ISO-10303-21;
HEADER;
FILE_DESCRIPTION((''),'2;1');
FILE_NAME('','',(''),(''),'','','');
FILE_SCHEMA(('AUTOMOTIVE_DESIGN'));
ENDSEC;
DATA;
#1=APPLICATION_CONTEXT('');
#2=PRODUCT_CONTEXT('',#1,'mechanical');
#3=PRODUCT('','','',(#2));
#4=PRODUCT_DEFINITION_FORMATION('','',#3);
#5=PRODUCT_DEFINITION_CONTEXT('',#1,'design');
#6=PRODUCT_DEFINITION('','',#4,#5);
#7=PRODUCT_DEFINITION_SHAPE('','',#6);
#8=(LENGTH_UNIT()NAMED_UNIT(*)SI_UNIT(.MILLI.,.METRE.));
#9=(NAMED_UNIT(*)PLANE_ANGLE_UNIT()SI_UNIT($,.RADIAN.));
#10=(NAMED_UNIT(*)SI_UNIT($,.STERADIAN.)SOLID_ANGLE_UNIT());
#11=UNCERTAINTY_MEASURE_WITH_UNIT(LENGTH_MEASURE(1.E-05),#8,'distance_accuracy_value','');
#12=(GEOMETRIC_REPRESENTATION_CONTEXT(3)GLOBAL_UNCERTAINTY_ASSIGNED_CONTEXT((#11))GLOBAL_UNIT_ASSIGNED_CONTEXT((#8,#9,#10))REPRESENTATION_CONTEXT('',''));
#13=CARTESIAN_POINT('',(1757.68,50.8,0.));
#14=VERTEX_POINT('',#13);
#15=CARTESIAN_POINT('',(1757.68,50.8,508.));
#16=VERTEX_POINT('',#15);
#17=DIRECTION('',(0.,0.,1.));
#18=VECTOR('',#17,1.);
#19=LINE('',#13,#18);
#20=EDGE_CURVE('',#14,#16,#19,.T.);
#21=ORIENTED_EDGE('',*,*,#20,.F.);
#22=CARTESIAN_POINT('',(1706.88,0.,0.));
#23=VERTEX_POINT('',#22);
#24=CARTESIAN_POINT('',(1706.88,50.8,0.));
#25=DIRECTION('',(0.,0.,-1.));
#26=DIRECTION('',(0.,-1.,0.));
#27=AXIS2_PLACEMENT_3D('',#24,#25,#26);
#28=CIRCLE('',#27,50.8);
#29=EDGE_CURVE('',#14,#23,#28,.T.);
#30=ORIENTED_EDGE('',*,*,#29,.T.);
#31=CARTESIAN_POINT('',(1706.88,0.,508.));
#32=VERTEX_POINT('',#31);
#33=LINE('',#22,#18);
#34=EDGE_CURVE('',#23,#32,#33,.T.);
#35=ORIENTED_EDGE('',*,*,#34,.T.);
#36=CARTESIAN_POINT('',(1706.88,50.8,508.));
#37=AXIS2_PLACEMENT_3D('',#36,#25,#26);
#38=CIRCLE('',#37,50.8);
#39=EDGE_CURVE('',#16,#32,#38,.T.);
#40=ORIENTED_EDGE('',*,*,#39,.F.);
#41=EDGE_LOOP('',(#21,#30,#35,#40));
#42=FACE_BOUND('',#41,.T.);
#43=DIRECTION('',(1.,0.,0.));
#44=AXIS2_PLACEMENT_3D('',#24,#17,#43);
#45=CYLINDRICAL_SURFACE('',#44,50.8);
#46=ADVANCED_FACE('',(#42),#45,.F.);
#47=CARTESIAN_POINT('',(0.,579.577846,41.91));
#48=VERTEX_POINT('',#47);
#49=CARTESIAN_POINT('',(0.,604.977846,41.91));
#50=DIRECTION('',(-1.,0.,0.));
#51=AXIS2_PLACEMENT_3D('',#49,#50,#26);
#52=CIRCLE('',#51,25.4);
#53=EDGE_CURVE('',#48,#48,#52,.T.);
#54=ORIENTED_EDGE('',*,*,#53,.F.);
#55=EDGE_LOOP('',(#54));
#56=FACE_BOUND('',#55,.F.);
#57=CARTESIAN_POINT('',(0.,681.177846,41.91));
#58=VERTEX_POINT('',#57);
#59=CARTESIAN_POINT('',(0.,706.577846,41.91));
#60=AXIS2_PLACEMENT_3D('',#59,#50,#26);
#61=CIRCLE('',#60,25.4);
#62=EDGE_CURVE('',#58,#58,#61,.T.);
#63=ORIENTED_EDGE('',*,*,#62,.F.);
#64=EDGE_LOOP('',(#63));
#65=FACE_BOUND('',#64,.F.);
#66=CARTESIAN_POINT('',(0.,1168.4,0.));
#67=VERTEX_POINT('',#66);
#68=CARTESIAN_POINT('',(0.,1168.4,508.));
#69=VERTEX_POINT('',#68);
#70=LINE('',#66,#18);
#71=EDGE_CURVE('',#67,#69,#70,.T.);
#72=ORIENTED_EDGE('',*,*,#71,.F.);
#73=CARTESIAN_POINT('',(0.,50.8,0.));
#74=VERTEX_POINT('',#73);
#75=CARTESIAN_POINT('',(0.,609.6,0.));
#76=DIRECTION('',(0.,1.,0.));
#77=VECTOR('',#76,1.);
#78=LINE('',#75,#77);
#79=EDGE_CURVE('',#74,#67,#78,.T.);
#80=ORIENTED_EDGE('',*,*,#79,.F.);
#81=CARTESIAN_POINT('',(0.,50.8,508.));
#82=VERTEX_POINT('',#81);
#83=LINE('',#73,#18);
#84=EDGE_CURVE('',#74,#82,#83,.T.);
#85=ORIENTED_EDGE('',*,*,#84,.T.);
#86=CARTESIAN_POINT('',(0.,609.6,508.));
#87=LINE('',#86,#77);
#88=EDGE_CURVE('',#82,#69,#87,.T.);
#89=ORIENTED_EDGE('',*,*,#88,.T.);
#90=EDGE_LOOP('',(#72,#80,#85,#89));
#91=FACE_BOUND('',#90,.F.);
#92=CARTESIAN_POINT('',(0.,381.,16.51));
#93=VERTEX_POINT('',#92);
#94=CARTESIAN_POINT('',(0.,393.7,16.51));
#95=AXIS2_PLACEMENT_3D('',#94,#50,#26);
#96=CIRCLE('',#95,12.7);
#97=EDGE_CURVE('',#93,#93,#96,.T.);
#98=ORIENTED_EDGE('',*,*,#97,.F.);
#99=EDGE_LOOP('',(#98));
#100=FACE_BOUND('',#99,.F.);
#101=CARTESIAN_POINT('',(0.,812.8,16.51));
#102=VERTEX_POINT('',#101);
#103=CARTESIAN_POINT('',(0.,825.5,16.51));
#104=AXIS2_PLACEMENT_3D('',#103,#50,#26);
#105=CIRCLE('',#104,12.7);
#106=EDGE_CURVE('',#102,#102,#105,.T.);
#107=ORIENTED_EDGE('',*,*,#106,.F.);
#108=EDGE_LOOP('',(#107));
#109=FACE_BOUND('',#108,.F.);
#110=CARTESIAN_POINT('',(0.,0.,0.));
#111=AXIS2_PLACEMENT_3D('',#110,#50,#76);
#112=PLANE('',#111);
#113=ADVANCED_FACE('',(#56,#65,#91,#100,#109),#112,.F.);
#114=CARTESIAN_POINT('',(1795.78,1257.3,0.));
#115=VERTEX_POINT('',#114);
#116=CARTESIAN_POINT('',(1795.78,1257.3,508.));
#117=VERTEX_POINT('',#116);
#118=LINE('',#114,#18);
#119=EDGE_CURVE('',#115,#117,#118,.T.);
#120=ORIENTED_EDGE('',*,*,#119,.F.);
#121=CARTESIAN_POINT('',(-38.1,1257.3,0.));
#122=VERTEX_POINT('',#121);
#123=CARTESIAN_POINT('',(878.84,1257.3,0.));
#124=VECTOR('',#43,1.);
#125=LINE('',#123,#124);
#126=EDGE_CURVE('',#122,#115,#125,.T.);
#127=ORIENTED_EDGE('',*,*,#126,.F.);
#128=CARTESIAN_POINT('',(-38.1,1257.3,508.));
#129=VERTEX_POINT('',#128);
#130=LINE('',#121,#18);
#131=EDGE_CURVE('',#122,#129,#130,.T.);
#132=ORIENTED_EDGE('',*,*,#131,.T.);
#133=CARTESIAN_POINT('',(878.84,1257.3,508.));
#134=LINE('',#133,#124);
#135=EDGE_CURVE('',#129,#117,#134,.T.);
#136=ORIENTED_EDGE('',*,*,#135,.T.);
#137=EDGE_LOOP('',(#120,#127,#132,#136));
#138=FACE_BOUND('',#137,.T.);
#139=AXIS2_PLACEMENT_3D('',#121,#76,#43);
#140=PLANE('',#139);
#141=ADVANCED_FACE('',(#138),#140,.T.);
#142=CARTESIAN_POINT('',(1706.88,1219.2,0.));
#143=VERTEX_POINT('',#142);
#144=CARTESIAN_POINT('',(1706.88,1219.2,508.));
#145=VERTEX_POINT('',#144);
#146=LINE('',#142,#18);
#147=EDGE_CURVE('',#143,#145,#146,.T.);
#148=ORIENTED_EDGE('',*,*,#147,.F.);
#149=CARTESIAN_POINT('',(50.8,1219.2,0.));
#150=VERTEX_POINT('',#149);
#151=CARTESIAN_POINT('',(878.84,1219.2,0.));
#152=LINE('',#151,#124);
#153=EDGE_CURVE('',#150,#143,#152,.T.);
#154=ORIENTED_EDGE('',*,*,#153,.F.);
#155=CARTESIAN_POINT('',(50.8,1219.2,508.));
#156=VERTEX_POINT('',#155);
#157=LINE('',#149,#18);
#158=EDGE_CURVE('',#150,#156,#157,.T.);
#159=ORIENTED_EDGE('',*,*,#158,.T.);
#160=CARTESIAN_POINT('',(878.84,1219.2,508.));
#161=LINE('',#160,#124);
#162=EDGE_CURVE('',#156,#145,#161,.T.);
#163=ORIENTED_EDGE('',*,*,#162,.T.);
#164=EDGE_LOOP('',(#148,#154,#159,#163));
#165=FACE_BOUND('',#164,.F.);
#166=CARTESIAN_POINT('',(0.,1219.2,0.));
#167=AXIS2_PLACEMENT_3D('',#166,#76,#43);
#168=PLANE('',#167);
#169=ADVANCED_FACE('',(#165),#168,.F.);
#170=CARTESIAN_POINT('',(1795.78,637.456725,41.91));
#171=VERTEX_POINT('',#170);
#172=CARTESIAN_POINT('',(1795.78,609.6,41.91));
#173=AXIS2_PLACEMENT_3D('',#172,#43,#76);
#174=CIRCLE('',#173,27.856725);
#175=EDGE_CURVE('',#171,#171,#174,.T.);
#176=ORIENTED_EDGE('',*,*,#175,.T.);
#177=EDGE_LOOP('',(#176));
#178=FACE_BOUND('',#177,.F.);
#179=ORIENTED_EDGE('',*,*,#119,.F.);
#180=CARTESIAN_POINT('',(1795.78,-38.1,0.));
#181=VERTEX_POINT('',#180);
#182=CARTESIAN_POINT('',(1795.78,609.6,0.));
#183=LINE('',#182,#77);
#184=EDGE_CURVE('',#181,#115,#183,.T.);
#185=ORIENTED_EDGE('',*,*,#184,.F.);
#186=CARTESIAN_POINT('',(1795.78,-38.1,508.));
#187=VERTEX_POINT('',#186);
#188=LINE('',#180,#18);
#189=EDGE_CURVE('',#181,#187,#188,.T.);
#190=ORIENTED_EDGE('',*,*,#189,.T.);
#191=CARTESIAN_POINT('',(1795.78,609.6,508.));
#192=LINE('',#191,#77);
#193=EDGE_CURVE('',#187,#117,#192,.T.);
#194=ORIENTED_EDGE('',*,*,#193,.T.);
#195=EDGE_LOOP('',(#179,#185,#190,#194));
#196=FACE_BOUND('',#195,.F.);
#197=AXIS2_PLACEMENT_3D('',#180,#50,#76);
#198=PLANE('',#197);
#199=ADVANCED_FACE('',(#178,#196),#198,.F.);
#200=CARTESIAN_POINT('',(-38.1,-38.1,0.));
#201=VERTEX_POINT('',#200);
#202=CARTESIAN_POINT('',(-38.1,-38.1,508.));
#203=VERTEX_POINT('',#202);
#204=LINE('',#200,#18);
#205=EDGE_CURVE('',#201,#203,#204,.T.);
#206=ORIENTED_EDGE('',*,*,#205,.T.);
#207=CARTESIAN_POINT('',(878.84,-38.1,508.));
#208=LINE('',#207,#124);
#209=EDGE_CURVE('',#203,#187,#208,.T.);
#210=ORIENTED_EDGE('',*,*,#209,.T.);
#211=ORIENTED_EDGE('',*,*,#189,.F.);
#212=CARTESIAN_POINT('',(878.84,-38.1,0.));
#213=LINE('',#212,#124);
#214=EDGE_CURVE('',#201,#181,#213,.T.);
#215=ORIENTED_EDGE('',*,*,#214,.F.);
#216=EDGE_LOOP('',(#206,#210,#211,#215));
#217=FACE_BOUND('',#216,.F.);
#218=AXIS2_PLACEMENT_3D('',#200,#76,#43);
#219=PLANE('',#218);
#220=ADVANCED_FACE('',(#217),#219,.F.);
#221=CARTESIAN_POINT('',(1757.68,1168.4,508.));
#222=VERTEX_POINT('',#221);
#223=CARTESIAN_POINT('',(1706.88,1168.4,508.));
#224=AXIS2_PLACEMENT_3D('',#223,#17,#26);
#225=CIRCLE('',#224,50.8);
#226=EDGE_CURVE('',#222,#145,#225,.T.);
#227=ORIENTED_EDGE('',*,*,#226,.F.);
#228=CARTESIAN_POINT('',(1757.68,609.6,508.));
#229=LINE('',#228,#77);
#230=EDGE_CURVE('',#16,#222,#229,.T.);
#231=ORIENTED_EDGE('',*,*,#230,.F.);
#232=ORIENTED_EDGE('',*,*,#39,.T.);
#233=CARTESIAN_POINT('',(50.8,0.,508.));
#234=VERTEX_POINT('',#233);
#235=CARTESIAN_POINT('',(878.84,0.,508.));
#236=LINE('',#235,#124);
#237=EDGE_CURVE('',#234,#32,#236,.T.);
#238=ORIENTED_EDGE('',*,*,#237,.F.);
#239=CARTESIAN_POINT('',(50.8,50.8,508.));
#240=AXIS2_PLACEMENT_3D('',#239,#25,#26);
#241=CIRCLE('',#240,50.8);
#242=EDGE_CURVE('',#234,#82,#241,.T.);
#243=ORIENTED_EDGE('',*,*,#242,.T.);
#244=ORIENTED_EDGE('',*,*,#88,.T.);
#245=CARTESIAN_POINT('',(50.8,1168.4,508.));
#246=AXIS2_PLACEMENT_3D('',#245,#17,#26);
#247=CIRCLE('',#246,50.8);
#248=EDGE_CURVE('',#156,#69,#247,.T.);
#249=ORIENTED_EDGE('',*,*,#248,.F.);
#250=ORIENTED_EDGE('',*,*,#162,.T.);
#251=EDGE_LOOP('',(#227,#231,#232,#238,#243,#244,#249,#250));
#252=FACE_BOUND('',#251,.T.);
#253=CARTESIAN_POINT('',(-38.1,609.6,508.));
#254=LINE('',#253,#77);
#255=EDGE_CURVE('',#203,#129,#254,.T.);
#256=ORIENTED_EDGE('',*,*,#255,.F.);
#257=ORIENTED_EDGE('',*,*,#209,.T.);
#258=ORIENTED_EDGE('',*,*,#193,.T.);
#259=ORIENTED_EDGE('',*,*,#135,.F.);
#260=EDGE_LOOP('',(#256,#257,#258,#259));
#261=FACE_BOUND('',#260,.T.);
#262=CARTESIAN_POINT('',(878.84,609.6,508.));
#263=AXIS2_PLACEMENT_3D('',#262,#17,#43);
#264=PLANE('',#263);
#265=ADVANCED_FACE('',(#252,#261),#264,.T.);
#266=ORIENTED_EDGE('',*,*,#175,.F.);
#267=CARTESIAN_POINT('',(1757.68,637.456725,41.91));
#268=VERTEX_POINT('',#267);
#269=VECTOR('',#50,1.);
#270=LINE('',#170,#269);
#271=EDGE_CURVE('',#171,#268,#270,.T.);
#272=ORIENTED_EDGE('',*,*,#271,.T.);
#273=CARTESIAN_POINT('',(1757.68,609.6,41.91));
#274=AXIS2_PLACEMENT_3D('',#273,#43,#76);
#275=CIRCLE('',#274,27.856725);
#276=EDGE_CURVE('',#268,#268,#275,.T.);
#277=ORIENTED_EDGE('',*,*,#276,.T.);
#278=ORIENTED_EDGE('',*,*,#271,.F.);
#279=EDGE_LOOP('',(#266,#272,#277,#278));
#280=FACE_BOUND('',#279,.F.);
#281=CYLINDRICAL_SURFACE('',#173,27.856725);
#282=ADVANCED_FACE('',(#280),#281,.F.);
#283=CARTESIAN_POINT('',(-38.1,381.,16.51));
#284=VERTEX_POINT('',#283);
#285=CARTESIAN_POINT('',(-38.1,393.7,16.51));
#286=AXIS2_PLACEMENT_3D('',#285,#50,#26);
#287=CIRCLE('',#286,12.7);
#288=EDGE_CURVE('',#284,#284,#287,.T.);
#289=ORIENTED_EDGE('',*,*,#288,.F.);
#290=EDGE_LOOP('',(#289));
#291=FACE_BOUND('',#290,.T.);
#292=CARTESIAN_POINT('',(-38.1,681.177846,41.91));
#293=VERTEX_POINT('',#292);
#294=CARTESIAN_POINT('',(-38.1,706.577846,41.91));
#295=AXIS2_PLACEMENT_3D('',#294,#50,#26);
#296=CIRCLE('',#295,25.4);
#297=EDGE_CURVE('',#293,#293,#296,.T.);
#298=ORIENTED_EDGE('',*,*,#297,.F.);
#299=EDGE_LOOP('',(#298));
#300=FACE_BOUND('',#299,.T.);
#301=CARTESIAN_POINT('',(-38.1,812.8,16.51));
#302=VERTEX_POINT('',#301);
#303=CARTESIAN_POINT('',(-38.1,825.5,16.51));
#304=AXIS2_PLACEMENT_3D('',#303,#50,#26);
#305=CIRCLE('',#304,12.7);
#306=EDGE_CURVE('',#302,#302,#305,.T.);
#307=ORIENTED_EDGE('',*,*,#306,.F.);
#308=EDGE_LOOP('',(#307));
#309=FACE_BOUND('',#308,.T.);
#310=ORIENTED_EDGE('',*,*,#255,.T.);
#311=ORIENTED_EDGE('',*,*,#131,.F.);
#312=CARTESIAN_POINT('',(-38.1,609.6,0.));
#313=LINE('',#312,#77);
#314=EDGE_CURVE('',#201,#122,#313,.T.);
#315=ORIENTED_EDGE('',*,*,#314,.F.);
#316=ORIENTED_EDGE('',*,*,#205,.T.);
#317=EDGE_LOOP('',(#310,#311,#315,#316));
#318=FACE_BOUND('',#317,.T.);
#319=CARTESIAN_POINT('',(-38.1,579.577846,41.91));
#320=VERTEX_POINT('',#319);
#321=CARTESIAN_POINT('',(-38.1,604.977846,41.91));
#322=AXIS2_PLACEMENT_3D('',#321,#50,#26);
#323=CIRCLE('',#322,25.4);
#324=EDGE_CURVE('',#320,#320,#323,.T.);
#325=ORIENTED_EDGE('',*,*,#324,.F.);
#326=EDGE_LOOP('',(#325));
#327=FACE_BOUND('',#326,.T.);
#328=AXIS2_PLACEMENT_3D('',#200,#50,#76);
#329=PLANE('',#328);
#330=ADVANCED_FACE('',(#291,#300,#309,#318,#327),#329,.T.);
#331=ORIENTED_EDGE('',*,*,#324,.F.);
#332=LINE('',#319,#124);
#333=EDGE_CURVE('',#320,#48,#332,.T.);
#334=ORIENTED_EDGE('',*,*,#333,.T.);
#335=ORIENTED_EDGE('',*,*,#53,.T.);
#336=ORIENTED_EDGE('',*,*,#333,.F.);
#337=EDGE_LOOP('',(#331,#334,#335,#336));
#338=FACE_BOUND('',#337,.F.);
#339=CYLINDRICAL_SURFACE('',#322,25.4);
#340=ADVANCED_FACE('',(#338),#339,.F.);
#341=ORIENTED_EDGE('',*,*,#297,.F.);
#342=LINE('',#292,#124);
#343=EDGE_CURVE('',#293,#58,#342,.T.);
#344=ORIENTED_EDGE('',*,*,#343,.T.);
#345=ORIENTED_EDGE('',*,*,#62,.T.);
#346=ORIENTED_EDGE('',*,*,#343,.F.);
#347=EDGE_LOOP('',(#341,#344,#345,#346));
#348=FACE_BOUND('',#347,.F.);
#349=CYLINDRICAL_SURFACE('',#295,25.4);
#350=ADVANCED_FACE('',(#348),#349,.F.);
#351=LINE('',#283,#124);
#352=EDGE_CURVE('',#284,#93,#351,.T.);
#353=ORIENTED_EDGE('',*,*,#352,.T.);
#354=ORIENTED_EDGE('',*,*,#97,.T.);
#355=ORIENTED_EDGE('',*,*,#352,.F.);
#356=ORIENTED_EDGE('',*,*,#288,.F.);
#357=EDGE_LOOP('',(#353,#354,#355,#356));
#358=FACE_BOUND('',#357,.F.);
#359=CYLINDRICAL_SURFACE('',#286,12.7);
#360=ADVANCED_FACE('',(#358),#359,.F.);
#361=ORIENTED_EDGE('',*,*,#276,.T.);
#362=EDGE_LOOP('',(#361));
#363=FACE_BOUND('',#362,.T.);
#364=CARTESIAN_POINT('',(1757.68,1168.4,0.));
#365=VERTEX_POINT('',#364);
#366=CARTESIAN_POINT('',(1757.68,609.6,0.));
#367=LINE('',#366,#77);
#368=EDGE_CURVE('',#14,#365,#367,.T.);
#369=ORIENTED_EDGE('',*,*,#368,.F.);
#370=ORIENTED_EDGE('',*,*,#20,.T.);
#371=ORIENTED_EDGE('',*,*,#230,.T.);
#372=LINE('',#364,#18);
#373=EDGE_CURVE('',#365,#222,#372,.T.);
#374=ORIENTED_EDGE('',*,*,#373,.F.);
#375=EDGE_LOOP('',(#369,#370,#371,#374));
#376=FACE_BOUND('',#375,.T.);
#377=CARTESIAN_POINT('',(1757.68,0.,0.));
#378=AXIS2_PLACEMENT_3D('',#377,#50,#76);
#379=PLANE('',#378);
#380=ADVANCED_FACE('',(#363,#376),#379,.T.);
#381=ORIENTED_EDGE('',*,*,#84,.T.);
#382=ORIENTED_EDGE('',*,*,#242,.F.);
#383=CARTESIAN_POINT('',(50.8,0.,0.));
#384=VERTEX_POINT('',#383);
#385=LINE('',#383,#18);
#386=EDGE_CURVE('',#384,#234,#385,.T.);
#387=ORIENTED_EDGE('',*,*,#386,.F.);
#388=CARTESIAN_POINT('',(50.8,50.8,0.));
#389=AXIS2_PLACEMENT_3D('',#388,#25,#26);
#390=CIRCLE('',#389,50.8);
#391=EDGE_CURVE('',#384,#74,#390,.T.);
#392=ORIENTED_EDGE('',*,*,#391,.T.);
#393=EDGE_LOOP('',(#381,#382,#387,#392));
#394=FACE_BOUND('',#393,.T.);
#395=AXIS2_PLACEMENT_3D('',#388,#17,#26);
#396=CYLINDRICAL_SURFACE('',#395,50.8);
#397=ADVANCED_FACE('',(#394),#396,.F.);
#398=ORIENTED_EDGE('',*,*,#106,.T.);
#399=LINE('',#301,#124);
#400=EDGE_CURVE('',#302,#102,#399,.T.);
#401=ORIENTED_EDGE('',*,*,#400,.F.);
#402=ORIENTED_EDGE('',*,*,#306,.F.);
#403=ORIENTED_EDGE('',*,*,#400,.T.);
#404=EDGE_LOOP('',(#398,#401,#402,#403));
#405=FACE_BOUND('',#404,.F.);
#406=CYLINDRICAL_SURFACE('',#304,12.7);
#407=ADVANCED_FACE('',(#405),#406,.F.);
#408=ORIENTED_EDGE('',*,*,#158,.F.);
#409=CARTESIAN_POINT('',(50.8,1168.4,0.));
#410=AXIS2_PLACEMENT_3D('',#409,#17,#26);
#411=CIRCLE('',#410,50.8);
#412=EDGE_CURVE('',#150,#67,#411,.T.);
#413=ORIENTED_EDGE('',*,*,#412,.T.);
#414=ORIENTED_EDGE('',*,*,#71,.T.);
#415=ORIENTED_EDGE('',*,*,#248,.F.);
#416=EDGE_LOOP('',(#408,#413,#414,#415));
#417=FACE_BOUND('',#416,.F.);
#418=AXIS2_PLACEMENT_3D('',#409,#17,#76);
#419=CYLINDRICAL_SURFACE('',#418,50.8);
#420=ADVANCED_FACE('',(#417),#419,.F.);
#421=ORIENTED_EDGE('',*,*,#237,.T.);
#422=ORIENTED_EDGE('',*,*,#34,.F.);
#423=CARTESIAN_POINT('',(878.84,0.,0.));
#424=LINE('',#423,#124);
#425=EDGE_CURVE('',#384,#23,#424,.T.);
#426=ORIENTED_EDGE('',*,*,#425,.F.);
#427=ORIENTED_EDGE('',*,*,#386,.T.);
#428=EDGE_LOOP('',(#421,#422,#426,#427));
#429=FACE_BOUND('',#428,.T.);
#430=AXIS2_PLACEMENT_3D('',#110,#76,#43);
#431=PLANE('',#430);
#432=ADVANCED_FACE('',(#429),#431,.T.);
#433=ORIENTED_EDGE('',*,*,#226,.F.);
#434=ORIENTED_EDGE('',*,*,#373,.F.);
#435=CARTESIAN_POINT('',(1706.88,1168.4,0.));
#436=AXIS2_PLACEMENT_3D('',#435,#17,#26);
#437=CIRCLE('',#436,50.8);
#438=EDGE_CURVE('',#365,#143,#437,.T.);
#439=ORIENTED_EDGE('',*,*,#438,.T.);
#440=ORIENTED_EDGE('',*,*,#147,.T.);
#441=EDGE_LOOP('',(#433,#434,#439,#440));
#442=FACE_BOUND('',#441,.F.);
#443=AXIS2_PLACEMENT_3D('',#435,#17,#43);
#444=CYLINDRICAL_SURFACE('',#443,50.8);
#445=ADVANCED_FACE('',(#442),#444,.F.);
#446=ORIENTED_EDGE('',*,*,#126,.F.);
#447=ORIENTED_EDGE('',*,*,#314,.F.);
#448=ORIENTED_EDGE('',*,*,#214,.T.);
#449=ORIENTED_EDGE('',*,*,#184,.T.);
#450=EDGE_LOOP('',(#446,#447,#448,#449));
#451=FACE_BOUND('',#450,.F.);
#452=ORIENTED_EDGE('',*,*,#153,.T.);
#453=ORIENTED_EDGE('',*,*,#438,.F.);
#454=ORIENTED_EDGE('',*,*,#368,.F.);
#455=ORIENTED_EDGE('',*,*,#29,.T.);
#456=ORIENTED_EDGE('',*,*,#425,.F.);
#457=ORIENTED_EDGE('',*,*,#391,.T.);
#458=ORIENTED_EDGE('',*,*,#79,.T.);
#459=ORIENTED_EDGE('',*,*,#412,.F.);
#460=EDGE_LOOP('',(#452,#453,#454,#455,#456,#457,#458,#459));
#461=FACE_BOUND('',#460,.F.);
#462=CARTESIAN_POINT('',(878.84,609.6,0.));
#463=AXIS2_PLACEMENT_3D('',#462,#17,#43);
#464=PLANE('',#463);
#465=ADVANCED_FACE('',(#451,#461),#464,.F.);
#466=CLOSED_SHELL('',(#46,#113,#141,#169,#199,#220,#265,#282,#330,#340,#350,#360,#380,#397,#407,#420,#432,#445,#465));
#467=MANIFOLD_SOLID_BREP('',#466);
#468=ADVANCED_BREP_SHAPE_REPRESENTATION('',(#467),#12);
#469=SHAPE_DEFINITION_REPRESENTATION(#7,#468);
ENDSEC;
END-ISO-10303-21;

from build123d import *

# Parameters (mm, degrees)
F0_W      = 1833.88
F0_H      = 1295.4
F0_W_2    = 1757.68
F0_H_2    = 1219.2
F1_DEPTH  = 508
F2_R      = 50.8
F3_R      = 50.8
F4_R      = 50.8
F5_R      = 50.8
F6_R      = 25.4
F8_DEPTH  = 50.8
F7_R      = 12.7
F9_DEPTH  = 50.8
F10_R     = 27.856725
F11_DEPTH = 50.8


with BuildPart() as f1:
    # F0 (on Top) → F1 (new body)
    with BuildSketch(Plane.XY):
        with Locations((878.84, 609.6)):
            Rectangle(F0_W, F0_H)
        with Locations((878.84, 609.6)):
            Rectangle(F0_W_2, F0_H_2, mode=Mode.SUBTRACT)
    extrude(amount=F1_DEPTH)

    # F2
    f2_edges = [f1.edges().sort_by_distance(p)[0] for p in [
        (1757.68, 1219.2, 254),
    ]]
    fillet(f2_edges, radius=F2_R)

    # F3
    f3_edges = [f1.edges().sort_by_distance(p)[0] for p in [
        (0, 1219.2, 254),
    ]]
    fillet(f3_edges, radius=F3_R)

    # F4
    f4_edges = [f1.edges().sort_by_distance(p)[0] for p in [
        (1757.68, 0, 254),
    ]]
    fillet(f4_edges, radius=F4_R)

    # F5
    f5_edges = [f1.edges().sort_by_distance(p)[0] for p in [
        (0, 0, 254),
    ]]
    fillet(f5_edges, radius=F5_R)

    # F6 (on face) → F8 (cut)
    with BuildSketch(Plane(origin=(-38.1, 0, 0), x_dir=(0, -1, 0), z_dir=(-1, 0, 0))):
        with Locations((-604.977846, 41.91)):
            Circle(F6_R)
        with Locations((-706.577846, 41.91)):
            Circle(F6_R)
    extrude(amount=-F8_DEPTH, mode=Mode.SUBTRACT)

    # F7 (on face) → F9 (cut)
    with BuildSketch(Plane(origin=(-38.1, 0, 0), x_dir=(0, -1, 0), z_dir=(-1, 0, 0))):
        with Locations((-393.7, 16.51)):
            Circle(F7_R)
        with Locations((-825.5, 16.51)):
            Circle(F7_R)
    extrude(amount=-F9_DEPTH, mode=Mode.SUBTRACT)

    # F10 (on face) → F11 (cut)
    with BuildSketch(Plane.YZ.offset(1795.78)):
        with Locations((609.6, 41.91)):
            Circle(F10_R)
    extrude(amount=-F11_DEPTH, mode=Mode.SUBTRACT)


solid = f1.part
